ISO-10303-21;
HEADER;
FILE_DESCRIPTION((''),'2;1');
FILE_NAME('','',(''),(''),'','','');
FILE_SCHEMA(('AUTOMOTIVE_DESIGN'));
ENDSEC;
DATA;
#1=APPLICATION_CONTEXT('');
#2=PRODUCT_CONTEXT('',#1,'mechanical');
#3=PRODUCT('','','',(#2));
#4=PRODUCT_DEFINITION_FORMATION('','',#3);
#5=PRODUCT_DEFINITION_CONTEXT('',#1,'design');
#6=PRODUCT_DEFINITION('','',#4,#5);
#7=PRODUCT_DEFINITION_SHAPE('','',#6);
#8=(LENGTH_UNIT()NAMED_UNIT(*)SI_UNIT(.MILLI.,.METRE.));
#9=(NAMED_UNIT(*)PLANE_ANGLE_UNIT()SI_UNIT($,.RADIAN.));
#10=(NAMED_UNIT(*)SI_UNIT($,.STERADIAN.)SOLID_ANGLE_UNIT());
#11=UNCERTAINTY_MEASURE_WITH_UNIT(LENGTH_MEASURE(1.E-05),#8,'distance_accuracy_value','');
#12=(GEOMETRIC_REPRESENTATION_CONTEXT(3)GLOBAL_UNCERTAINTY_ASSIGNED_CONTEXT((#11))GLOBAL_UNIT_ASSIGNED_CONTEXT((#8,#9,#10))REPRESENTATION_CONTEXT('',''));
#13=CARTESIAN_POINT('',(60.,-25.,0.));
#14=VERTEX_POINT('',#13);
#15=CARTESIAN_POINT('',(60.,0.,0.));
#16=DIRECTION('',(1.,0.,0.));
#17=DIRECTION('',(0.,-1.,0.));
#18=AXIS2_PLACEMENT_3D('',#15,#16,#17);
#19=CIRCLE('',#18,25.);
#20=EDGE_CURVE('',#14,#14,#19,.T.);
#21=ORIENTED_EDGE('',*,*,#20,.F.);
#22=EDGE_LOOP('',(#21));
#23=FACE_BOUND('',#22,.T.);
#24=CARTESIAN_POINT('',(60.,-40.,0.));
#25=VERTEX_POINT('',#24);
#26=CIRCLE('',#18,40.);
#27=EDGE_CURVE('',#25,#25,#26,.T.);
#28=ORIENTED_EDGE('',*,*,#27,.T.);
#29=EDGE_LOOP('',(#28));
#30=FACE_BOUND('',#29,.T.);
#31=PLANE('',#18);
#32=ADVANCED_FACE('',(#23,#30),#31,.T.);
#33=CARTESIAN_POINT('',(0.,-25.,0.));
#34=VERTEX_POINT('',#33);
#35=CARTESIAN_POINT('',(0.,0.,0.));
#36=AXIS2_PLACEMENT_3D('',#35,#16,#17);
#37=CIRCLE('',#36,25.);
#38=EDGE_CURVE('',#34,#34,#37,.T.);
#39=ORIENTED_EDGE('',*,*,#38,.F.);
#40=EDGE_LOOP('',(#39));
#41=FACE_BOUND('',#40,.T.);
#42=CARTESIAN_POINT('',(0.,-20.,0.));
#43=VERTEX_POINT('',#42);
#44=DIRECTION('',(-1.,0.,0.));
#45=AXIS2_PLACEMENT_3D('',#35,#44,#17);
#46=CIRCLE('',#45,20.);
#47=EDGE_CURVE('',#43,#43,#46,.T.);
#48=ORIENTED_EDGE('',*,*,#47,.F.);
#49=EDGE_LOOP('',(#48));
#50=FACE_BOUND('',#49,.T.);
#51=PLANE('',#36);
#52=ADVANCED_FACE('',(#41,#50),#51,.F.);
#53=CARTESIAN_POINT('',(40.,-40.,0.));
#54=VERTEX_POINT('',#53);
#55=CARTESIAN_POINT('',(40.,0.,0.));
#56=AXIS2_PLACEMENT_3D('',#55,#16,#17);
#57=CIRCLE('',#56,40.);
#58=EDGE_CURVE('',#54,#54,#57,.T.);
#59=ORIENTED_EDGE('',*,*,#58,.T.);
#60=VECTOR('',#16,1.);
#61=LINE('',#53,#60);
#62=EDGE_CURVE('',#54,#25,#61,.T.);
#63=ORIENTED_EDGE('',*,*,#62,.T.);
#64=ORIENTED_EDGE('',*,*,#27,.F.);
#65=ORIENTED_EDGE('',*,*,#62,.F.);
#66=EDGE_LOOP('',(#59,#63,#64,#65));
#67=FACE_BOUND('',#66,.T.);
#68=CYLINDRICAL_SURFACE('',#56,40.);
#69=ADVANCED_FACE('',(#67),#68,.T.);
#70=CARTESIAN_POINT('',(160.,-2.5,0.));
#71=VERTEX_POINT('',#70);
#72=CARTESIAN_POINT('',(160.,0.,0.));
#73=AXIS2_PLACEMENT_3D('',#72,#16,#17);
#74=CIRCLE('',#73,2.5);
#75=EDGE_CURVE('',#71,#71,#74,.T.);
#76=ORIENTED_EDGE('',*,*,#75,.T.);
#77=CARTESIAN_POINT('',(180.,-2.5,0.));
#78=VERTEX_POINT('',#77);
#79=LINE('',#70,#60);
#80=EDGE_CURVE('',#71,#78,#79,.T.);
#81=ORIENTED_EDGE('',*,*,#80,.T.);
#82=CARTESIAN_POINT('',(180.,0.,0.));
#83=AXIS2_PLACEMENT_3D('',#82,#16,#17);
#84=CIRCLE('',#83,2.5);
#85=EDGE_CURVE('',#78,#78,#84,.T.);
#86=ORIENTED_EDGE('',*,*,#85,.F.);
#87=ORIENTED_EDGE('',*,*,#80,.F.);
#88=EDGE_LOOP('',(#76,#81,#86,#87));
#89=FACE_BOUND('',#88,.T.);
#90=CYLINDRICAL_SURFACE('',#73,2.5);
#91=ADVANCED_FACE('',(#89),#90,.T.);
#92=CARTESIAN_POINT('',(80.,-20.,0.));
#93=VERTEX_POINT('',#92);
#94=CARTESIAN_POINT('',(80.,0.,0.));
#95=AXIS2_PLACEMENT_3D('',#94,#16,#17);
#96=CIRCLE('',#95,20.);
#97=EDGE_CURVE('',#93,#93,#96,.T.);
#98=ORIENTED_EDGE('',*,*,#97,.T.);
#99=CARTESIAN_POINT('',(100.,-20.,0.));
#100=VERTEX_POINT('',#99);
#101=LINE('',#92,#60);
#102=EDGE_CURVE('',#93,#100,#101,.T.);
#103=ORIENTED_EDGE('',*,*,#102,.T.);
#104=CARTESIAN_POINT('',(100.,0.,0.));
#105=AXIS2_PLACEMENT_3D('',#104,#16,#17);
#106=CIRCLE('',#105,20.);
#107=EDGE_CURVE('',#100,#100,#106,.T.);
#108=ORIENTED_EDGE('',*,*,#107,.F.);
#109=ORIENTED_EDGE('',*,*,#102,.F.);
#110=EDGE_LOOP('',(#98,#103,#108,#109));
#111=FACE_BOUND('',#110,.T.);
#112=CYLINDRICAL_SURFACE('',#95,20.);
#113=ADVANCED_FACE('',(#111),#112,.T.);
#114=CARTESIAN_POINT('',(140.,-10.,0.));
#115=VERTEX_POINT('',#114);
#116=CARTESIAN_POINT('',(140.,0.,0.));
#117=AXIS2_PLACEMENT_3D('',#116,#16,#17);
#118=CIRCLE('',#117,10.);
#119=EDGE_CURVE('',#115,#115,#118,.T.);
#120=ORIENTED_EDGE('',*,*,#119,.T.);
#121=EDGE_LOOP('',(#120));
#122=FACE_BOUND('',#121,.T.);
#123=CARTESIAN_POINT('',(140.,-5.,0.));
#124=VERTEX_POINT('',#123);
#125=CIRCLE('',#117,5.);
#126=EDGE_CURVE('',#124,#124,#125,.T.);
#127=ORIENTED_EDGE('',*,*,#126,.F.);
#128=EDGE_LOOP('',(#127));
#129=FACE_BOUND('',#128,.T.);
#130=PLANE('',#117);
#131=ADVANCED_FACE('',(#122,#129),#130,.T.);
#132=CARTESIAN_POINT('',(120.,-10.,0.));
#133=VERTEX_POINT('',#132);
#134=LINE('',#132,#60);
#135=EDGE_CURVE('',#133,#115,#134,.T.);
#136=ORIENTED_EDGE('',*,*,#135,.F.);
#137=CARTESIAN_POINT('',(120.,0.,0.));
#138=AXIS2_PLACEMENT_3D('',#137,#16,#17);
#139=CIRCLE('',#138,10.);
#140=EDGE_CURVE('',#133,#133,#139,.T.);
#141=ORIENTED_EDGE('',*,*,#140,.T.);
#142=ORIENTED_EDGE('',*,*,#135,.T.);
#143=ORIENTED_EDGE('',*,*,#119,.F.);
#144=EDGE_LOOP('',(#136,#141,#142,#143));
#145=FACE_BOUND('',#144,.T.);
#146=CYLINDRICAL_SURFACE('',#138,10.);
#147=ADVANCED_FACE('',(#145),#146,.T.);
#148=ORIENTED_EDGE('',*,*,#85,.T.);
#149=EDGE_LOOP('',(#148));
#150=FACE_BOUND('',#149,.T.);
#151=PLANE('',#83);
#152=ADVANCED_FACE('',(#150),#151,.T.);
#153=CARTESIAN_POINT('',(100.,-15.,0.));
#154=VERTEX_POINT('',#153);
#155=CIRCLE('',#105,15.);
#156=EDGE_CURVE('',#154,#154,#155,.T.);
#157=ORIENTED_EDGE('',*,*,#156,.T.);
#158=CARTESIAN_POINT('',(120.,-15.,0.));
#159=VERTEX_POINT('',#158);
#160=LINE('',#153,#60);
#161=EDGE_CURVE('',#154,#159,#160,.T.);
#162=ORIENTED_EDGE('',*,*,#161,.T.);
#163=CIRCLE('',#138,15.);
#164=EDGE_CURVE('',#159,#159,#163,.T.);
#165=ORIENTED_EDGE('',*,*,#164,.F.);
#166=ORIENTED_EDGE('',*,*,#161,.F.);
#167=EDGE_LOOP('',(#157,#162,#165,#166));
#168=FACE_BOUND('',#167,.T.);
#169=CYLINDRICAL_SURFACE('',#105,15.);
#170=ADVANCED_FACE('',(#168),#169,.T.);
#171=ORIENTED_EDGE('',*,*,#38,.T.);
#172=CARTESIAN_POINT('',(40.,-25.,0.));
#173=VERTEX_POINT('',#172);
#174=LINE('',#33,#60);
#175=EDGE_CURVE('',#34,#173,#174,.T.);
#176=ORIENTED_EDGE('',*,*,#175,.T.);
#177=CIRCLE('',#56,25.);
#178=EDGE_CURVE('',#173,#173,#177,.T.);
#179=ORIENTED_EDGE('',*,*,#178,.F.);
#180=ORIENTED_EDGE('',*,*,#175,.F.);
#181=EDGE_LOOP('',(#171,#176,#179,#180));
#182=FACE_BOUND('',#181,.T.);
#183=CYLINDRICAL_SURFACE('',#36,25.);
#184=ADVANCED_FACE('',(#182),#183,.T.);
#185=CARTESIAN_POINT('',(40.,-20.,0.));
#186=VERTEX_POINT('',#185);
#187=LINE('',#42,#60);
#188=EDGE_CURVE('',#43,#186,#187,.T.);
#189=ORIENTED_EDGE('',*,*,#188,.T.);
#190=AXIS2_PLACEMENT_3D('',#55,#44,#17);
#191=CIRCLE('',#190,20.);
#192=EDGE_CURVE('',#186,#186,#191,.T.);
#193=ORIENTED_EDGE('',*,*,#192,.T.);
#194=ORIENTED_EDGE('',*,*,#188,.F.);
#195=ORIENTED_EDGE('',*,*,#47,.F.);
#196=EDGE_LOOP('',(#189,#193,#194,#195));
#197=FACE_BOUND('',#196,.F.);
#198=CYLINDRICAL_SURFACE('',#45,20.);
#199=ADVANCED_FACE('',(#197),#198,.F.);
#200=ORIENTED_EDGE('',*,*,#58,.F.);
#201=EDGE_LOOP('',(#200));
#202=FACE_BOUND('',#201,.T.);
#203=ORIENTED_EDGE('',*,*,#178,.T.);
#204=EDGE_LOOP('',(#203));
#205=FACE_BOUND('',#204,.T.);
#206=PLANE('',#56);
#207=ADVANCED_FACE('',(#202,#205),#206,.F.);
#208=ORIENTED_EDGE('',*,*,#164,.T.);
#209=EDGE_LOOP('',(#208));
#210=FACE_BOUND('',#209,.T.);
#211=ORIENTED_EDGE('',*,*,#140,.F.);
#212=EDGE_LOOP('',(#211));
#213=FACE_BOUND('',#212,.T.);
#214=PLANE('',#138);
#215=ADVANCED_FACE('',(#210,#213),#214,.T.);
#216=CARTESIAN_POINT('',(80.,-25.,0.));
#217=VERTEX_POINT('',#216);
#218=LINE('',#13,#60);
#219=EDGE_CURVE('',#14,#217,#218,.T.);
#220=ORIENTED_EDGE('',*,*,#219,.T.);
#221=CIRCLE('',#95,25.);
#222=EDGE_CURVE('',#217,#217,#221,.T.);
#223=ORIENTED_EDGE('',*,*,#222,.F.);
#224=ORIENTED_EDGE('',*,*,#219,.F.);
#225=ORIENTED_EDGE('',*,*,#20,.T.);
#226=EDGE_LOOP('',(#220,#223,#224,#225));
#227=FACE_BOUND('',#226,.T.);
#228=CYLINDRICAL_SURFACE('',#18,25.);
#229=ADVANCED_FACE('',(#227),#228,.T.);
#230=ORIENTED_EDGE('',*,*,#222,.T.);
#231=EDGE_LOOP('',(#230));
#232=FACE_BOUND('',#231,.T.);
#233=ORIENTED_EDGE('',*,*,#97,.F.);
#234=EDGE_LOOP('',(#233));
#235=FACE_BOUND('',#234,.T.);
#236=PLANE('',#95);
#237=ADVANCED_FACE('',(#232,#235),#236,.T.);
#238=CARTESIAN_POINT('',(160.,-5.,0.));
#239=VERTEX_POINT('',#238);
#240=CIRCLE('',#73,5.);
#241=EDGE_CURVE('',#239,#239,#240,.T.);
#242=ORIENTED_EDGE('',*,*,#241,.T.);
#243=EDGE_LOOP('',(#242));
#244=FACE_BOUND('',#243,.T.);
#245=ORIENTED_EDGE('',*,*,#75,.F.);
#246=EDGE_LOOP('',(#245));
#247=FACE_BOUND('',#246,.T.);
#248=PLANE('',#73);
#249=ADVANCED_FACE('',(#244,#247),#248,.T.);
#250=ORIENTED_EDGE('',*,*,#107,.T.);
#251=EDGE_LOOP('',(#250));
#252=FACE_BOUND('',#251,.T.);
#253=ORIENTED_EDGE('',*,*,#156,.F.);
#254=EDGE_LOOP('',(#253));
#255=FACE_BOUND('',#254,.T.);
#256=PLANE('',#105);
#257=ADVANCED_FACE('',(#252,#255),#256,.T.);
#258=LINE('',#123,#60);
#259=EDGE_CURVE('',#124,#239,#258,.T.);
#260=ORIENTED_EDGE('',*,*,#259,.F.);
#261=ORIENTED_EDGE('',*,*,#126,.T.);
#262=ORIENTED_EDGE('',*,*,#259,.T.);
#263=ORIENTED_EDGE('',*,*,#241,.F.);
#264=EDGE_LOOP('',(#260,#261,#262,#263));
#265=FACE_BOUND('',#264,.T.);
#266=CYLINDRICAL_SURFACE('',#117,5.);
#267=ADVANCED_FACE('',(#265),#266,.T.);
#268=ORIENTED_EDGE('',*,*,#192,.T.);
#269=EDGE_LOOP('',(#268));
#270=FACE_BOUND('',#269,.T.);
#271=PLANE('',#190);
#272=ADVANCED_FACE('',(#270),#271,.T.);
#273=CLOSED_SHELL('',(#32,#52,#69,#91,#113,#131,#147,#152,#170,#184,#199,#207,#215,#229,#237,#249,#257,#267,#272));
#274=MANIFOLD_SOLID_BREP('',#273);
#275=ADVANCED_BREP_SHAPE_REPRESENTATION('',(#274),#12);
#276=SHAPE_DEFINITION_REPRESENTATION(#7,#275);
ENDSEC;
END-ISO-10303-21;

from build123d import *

# Parameters (mm, degrees)
SKETCH2_R          = 20
CUT_EXTRUDE2_DEPTH = 40


with BuildPart() as part:
    # Sketch1 → Revolve1 (revolve)
    with BuildSketch(Plane.XY, mode=Mode.PRIVATE) as revolve1_sk:
        Polygon((0, 0), (0, 25), (40, 25), (40, 40), (60, 40), (60, 25), (80, 25), (80, 20), (100, 20), (100, 15), (120, 15), (120, 10), (140, 10), (140, 5), (160, 5), (160, 2.5), (180, 2.5), (180, 0), align=None)
    revolve(revolve1_sk.sketch.rotate(Axis((-272.648237515, 0, 0), (1, 0, 0)), 180), axis=Axis((-272.648237515, 0, 0), (1, 0, 0)))  # turned: the seam where the file's is

    # Sketch2 → Cut-Extrude2 (cut)
    with BuildSketch(Plane.ZY):
        with Locations(Location((0, 0, 0), (0, 0, 270))):  # turned: the seam where the file's is
            Circle(SKETCH2_R)
    extrude(amount=-CUT_EXTRUDE2_DEPTH, mode=Mode.SUBTRACT)


solid = part.part
